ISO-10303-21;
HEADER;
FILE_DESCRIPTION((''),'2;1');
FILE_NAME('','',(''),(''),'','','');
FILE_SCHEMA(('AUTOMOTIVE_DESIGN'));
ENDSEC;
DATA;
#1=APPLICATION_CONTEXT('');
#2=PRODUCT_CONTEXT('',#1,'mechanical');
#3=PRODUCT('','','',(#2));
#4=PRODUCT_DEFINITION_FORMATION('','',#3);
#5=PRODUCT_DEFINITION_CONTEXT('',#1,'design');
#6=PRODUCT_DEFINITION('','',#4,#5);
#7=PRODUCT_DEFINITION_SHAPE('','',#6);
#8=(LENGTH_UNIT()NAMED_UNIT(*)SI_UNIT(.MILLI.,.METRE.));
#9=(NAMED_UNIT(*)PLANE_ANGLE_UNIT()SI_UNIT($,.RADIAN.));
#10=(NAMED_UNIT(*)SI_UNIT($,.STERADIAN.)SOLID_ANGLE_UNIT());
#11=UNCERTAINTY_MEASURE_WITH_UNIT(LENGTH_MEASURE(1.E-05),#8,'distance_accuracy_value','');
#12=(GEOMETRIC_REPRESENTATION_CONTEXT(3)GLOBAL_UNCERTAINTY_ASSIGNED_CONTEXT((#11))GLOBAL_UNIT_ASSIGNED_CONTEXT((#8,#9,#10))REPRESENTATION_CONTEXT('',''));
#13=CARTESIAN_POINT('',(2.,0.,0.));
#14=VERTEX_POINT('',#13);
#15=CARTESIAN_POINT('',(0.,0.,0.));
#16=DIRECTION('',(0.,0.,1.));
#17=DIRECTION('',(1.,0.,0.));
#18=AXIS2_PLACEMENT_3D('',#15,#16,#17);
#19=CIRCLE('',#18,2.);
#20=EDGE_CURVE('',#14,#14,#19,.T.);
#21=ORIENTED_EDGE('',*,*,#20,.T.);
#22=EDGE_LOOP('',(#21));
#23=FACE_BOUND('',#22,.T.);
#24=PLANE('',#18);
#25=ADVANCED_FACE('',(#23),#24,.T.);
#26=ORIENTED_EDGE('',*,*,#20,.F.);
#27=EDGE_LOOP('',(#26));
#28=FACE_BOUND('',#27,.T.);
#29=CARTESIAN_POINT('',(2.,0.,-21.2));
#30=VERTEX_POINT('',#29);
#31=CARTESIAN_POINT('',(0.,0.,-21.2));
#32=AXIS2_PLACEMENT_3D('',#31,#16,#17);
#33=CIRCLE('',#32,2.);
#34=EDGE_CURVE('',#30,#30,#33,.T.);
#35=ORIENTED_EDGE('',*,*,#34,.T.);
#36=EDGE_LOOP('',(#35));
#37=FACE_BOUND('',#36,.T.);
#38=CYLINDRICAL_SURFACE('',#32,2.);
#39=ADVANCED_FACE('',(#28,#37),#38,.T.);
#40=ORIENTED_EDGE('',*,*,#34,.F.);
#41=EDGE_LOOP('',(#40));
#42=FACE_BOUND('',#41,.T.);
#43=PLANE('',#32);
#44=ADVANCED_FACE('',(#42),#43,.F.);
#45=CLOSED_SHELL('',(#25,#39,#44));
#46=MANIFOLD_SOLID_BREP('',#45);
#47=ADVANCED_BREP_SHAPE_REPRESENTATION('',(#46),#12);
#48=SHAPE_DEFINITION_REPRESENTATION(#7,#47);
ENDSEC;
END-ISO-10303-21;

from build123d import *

# Parameters (mm, degrees)
SKETCH1_R      = 2
EXTRUDE1_DEPTH = 21.2


with BuildPart() as part:
    # Sketch1 → Extrude1 (new body)
    with BuildSketch(Plane.XY):
        Circle(SKETCH1_R)
    extrude(amount=-EXTRUDE1_DEPTH)


solid = part.part
